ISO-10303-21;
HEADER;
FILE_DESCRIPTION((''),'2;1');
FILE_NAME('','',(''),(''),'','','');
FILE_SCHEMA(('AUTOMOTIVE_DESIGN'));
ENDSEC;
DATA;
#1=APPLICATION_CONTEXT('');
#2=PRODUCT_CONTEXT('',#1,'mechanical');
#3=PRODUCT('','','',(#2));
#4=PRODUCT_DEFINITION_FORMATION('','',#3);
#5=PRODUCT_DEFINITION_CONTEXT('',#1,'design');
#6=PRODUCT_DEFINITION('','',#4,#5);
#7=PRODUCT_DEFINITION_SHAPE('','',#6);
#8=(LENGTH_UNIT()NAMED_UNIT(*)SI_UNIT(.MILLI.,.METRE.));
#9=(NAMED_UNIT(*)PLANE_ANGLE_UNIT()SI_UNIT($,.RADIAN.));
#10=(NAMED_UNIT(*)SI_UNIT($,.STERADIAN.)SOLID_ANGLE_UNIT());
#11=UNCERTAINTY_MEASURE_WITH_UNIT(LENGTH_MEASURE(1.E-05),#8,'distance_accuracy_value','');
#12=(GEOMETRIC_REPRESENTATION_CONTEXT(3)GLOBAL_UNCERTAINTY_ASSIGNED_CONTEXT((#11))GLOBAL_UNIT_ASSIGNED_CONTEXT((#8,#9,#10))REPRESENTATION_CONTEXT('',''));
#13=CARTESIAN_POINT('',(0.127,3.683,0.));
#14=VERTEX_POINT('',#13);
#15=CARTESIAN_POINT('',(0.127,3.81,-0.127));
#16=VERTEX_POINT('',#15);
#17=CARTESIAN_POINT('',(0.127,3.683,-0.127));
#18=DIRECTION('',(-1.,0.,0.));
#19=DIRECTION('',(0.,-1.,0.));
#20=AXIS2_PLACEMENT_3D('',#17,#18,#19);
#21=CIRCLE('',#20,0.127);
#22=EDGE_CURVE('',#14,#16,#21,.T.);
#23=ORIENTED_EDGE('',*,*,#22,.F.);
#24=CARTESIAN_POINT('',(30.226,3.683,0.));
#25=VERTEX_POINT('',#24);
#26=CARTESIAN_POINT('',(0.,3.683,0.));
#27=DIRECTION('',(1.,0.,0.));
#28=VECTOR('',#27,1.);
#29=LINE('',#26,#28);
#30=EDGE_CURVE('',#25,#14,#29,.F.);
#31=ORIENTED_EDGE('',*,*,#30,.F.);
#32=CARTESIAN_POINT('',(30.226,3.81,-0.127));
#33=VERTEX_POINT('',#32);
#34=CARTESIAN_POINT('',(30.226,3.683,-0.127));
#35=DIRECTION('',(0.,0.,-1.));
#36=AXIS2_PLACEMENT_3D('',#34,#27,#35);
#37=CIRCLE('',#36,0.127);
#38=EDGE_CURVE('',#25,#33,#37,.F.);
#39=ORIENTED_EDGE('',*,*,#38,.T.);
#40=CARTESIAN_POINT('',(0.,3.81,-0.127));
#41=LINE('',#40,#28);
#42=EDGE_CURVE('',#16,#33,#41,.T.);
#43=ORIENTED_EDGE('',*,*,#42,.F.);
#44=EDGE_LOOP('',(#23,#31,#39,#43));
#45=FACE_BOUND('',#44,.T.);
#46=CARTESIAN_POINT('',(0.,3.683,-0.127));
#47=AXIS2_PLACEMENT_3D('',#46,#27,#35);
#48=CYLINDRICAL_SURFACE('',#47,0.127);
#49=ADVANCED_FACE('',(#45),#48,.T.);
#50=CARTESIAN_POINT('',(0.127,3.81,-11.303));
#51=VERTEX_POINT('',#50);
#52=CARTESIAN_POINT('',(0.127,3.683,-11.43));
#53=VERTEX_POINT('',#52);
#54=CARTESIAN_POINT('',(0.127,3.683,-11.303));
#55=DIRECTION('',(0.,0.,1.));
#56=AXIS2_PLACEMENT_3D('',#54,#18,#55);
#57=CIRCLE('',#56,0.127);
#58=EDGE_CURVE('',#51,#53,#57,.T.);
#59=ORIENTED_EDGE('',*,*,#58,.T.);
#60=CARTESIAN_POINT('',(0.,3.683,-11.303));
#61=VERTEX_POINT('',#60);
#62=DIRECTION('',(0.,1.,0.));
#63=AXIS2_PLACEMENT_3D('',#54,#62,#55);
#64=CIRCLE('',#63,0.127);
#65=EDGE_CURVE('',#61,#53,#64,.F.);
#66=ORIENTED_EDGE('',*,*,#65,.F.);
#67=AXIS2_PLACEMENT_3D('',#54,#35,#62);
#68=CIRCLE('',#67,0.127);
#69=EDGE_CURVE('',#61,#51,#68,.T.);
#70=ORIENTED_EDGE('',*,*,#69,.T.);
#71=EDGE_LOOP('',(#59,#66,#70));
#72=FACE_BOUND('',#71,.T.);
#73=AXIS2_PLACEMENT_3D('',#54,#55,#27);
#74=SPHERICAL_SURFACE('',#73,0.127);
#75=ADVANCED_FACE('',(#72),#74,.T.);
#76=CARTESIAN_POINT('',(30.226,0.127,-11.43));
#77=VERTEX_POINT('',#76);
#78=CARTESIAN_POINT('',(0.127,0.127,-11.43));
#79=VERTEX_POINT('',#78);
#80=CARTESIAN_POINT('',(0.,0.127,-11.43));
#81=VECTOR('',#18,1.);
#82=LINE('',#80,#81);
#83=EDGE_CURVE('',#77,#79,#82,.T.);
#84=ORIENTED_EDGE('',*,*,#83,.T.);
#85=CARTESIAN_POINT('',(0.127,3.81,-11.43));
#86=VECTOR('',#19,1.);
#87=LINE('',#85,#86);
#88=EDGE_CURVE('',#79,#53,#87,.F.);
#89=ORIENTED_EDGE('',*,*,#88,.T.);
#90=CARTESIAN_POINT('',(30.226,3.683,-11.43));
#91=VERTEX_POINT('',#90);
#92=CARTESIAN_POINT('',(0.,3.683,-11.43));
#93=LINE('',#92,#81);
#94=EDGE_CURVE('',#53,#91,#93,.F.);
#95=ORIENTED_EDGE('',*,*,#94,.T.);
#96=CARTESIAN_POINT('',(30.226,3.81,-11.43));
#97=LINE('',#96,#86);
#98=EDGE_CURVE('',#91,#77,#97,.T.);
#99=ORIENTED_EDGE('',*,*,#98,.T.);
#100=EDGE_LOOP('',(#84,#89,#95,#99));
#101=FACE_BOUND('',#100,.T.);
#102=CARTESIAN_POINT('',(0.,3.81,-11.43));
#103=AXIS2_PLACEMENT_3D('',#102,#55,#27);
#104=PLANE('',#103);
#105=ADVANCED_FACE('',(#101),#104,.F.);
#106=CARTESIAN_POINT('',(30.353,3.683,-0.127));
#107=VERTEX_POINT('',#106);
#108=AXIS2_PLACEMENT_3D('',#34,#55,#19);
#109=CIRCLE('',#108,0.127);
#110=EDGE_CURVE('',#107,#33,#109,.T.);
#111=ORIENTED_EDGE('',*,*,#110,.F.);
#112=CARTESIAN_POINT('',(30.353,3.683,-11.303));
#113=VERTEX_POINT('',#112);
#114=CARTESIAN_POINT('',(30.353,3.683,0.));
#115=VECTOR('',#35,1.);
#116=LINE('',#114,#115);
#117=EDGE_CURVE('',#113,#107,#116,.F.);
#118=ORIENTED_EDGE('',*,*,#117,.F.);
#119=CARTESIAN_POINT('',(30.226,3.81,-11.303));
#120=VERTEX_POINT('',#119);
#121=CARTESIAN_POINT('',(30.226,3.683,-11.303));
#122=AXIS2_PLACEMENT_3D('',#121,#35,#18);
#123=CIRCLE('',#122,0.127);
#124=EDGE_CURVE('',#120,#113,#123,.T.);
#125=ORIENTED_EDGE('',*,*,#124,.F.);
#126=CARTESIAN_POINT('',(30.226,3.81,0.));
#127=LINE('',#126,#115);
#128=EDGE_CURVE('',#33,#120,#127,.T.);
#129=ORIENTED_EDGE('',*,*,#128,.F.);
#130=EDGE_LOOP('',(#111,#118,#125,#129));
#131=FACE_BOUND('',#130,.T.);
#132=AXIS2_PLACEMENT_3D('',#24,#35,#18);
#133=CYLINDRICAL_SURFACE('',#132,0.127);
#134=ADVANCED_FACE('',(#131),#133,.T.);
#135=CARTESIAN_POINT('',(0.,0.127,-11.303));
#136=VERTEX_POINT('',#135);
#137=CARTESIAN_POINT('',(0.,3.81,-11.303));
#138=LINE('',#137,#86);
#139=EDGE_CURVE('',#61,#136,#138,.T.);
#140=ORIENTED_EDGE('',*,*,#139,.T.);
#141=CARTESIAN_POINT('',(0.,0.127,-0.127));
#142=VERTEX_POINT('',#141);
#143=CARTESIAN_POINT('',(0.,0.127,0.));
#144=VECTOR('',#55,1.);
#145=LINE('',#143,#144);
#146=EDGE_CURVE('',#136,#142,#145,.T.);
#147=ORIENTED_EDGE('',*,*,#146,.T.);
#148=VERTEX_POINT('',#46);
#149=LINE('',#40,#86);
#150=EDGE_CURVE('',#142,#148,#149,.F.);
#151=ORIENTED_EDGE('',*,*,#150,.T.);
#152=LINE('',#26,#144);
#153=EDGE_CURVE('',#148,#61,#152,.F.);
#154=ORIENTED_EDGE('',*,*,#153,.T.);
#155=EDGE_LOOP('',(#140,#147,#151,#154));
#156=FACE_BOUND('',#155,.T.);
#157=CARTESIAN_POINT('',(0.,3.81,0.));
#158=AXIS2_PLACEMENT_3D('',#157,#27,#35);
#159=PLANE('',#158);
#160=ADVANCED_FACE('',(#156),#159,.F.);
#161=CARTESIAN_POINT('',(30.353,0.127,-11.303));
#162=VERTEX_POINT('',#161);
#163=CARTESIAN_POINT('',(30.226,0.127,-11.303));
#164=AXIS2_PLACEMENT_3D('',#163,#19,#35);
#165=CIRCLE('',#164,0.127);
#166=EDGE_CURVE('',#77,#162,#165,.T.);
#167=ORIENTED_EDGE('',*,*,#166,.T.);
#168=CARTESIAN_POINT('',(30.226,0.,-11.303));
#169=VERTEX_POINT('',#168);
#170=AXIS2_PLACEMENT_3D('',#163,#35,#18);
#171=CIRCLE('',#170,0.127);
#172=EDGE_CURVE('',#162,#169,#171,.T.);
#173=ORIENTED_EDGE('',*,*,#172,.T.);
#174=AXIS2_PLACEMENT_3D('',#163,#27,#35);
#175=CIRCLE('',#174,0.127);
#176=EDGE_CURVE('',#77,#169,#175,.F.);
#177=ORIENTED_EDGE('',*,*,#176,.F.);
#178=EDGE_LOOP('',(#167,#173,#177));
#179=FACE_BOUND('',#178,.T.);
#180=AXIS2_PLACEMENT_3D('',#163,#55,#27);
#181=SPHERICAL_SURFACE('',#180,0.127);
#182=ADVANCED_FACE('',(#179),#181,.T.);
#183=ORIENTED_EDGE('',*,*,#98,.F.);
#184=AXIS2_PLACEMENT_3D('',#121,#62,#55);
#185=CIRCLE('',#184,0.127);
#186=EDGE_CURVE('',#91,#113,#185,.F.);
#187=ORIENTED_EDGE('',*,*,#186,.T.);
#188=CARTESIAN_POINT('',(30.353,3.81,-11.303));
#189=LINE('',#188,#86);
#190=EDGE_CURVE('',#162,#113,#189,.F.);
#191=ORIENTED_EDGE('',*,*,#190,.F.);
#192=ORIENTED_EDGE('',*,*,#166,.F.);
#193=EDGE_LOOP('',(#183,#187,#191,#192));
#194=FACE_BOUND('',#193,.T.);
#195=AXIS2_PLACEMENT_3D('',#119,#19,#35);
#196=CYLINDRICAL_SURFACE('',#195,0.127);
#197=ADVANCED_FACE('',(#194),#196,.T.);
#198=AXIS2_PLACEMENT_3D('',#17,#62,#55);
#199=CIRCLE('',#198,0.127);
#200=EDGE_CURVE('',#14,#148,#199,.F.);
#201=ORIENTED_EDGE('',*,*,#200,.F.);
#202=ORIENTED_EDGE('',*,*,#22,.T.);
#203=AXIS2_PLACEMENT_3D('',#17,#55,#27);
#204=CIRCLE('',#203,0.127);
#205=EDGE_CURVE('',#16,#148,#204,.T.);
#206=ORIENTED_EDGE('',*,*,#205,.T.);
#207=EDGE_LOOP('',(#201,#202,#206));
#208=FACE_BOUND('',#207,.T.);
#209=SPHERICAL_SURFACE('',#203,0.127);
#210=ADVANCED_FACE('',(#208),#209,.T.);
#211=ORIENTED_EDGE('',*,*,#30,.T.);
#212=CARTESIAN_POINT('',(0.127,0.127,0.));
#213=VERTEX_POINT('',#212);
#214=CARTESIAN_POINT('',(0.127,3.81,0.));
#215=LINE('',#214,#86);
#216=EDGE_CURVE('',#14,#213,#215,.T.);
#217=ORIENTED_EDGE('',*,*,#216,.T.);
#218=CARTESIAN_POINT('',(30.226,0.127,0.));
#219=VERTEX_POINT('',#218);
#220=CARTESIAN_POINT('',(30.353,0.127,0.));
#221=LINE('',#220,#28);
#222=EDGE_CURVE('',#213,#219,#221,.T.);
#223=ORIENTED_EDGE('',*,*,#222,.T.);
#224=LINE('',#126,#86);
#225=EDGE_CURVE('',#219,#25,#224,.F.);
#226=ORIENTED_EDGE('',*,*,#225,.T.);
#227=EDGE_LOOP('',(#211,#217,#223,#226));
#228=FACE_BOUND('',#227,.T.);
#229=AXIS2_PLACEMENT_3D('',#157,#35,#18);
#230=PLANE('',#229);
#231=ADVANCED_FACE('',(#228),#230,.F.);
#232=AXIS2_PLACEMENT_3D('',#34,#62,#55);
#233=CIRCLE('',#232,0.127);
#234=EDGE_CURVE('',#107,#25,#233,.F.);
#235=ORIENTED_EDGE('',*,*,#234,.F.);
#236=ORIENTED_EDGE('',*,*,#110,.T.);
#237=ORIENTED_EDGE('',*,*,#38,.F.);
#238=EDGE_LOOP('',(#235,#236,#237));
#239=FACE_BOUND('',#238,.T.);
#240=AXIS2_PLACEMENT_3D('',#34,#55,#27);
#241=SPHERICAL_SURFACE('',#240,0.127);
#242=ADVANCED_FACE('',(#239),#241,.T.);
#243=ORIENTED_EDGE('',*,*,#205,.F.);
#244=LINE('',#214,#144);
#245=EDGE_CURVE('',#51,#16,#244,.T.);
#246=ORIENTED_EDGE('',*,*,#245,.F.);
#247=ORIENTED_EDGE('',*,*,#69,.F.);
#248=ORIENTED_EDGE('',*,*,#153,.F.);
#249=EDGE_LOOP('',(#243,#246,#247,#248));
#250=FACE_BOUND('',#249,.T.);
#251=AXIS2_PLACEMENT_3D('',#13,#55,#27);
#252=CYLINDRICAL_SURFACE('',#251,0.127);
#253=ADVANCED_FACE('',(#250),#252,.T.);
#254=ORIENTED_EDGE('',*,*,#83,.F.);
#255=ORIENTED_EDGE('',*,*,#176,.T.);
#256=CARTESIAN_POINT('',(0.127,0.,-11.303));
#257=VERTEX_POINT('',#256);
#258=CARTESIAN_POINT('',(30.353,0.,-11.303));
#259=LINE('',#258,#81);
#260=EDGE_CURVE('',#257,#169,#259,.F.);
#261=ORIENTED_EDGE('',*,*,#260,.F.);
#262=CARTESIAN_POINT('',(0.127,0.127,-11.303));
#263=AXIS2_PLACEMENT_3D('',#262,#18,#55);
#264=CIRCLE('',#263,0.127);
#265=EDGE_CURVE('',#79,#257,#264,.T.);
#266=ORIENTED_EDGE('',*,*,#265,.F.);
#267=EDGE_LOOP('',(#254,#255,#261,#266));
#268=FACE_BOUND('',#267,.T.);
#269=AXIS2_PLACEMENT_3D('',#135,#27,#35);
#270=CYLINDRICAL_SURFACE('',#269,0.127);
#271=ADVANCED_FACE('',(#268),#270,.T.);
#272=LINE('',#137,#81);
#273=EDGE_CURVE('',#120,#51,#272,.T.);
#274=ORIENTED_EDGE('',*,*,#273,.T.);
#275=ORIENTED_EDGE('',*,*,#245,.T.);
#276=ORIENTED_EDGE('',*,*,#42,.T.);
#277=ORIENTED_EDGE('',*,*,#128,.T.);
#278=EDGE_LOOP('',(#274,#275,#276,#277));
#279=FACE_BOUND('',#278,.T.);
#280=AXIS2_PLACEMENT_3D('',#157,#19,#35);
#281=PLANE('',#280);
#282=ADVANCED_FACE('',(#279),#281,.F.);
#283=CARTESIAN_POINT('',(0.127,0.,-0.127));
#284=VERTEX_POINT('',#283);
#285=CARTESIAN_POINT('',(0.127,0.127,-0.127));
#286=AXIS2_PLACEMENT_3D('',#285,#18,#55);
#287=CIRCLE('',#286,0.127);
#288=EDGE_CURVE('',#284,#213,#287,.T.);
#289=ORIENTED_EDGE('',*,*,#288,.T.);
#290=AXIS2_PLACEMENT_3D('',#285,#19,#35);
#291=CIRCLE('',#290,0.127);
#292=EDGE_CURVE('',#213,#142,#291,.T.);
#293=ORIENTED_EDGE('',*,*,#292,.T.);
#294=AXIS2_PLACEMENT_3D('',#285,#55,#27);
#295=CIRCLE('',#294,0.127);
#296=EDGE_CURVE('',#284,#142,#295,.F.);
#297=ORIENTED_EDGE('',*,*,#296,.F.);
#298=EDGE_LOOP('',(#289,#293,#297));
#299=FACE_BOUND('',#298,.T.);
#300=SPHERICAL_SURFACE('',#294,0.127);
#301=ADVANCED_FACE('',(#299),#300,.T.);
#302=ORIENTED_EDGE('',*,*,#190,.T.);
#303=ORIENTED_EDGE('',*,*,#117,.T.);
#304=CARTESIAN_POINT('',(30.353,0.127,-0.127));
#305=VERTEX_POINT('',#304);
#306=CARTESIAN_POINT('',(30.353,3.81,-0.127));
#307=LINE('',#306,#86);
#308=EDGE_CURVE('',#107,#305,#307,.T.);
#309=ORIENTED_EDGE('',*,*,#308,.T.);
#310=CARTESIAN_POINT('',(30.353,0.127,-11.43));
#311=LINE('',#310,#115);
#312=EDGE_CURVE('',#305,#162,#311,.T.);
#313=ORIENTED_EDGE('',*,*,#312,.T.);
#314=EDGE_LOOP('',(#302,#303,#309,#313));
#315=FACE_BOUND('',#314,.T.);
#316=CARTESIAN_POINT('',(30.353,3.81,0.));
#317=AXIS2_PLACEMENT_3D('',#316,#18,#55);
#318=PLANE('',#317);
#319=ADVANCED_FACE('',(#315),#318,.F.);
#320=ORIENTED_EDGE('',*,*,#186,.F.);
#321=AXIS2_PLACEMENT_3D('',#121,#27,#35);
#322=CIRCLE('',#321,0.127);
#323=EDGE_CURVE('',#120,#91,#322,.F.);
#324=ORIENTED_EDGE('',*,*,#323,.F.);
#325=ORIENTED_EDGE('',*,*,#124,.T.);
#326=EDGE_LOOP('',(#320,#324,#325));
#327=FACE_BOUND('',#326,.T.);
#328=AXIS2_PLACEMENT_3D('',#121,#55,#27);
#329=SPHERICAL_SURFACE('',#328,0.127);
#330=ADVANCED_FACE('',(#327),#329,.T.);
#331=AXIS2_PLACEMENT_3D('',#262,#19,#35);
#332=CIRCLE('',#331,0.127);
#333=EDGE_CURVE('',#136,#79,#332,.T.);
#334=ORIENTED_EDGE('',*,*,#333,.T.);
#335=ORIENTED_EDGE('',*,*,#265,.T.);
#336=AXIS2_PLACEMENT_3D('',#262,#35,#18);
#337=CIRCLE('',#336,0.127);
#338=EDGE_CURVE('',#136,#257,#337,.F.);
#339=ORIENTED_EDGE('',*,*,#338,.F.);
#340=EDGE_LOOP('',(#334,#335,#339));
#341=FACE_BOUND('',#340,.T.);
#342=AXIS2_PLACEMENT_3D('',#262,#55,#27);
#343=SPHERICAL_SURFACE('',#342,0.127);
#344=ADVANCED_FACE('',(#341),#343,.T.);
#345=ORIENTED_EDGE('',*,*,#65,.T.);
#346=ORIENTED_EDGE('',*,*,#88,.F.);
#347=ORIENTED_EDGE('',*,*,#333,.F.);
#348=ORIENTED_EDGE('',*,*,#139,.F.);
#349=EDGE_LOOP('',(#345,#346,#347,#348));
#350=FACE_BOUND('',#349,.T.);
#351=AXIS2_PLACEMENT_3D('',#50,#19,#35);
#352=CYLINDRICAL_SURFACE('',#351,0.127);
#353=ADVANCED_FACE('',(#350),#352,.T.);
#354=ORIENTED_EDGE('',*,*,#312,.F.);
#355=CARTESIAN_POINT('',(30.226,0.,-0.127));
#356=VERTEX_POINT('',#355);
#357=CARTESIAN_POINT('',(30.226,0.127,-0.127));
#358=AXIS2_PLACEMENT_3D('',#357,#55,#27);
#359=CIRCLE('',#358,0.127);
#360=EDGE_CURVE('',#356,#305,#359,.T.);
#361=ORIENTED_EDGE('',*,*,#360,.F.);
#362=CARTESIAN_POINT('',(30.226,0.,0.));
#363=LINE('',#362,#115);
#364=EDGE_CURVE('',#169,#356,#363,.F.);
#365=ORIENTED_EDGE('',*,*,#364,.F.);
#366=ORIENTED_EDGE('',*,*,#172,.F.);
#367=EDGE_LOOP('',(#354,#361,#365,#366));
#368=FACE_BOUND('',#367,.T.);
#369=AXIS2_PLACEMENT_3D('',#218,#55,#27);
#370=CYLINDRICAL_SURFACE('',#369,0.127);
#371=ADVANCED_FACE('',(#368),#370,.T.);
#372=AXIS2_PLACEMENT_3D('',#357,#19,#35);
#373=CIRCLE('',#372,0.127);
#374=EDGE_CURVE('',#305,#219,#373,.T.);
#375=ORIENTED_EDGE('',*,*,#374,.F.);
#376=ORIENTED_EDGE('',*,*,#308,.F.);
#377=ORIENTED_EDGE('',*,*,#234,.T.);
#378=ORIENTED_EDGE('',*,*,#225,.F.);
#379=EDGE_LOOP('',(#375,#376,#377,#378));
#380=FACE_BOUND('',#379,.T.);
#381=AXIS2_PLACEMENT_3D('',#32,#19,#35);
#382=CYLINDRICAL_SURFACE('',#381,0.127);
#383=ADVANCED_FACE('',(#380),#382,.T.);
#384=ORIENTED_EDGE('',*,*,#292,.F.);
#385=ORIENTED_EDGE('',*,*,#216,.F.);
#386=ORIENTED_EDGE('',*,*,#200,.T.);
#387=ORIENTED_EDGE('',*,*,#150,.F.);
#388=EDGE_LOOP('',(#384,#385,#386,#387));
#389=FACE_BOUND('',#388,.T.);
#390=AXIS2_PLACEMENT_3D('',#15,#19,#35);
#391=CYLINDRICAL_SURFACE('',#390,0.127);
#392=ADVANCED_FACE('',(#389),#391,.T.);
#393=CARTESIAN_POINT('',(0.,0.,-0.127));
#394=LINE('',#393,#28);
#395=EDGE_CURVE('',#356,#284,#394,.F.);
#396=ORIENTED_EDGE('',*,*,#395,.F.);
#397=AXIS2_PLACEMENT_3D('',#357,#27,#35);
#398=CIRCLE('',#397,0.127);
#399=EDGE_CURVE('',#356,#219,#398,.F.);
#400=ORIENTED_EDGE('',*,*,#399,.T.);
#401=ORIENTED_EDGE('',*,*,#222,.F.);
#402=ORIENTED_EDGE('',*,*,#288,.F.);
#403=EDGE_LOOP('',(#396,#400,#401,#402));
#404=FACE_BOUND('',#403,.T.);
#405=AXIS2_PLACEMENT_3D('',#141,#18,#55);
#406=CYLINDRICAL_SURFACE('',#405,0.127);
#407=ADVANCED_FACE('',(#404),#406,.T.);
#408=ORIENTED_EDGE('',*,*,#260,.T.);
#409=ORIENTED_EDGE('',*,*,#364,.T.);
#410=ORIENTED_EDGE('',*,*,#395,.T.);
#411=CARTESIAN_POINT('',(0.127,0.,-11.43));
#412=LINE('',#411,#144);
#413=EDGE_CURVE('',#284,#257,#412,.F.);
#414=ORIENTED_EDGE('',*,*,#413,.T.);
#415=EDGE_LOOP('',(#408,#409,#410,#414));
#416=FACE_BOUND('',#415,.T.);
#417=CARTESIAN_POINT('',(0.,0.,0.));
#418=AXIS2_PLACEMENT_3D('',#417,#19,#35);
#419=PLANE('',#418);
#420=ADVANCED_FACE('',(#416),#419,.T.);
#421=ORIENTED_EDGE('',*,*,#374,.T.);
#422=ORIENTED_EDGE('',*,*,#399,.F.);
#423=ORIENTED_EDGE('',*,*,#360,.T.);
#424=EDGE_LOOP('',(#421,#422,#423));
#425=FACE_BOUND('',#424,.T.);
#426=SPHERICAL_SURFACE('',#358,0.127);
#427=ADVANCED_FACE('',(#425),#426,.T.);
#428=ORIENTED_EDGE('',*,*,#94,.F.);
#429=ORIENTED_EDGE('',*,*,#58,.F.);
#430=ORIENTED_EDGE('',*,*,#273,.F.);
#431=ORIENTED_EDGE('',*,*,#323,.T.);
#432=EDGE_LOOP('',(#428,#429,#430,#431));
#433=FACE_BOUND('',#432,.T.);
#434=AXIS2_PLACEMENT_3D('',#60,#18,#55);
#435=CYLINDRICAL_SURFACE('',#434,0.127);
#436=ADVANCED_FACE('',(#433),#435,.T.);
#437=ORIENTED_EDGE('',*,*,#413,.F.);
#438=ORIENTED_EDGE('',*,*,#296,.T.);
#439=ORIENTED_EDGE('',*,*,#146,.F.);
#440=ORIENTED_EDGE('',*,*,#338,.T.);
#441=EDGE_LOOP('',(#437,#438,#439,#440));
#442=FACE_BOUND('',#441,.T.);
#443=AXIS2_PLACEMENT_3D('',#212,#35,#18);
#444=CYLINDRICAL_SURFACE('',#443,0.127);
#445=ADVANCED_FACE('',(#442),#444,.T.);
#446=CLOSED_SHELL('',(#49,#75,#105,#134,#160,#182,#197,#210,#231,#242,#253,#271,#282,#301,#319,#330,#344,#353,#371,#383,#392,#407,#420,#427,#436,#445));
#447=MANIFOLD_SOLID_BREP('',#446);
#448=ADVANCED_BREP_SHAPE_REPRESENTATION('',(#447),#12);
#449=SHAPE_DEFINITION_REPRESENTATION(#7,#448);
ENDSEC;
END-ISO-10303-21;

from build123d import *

# Parameters (mm, degrees)
SKETCH1_W           = 30.353
SKETCH1_H           = 11.43
BOSS_EXTRUDE1_DEPTH = 3.81
FILLET1_R           = 0.127


with BuildPart() as part:
    # Sketch1 → Boss-Extrude1 (new body)
    with BuildSketch(Plane(origin=(0, 0, 0), x_dir=(1, 0, 0), z_dir=(0, 1, 0))):
        with Locations((15.1765, 5.715)):
            Rectangle(SKETCH1_W, SKETCH1_H)
    extrude(amount=BOSS_EXTRUDE1_DEPTH)

    # Fillet1
    fillet1_edges = [part.edges().sort_by_distance(p)[0] for p in [
        (30.353, 3.81, -5.715),
        (15.1765, 3.81, -11.43),
        (0, 3.81, -5.715),
        (15.1765, 0, -11.43),
        (30.353, 0, -5.715),
        (15.1765, 0, 0),
        (0, 0, -5.715),
        (15.1765, 3.81, 0),
        (0, 1.905, -11.43),
        (30.353, 1.905, -11.43),
        (30.353, 1.905, 0),
        (0, 1.905, 0),
    ]]
    fillet(fillet1_edges, radius=FILLET1_R)


solid = part.part
